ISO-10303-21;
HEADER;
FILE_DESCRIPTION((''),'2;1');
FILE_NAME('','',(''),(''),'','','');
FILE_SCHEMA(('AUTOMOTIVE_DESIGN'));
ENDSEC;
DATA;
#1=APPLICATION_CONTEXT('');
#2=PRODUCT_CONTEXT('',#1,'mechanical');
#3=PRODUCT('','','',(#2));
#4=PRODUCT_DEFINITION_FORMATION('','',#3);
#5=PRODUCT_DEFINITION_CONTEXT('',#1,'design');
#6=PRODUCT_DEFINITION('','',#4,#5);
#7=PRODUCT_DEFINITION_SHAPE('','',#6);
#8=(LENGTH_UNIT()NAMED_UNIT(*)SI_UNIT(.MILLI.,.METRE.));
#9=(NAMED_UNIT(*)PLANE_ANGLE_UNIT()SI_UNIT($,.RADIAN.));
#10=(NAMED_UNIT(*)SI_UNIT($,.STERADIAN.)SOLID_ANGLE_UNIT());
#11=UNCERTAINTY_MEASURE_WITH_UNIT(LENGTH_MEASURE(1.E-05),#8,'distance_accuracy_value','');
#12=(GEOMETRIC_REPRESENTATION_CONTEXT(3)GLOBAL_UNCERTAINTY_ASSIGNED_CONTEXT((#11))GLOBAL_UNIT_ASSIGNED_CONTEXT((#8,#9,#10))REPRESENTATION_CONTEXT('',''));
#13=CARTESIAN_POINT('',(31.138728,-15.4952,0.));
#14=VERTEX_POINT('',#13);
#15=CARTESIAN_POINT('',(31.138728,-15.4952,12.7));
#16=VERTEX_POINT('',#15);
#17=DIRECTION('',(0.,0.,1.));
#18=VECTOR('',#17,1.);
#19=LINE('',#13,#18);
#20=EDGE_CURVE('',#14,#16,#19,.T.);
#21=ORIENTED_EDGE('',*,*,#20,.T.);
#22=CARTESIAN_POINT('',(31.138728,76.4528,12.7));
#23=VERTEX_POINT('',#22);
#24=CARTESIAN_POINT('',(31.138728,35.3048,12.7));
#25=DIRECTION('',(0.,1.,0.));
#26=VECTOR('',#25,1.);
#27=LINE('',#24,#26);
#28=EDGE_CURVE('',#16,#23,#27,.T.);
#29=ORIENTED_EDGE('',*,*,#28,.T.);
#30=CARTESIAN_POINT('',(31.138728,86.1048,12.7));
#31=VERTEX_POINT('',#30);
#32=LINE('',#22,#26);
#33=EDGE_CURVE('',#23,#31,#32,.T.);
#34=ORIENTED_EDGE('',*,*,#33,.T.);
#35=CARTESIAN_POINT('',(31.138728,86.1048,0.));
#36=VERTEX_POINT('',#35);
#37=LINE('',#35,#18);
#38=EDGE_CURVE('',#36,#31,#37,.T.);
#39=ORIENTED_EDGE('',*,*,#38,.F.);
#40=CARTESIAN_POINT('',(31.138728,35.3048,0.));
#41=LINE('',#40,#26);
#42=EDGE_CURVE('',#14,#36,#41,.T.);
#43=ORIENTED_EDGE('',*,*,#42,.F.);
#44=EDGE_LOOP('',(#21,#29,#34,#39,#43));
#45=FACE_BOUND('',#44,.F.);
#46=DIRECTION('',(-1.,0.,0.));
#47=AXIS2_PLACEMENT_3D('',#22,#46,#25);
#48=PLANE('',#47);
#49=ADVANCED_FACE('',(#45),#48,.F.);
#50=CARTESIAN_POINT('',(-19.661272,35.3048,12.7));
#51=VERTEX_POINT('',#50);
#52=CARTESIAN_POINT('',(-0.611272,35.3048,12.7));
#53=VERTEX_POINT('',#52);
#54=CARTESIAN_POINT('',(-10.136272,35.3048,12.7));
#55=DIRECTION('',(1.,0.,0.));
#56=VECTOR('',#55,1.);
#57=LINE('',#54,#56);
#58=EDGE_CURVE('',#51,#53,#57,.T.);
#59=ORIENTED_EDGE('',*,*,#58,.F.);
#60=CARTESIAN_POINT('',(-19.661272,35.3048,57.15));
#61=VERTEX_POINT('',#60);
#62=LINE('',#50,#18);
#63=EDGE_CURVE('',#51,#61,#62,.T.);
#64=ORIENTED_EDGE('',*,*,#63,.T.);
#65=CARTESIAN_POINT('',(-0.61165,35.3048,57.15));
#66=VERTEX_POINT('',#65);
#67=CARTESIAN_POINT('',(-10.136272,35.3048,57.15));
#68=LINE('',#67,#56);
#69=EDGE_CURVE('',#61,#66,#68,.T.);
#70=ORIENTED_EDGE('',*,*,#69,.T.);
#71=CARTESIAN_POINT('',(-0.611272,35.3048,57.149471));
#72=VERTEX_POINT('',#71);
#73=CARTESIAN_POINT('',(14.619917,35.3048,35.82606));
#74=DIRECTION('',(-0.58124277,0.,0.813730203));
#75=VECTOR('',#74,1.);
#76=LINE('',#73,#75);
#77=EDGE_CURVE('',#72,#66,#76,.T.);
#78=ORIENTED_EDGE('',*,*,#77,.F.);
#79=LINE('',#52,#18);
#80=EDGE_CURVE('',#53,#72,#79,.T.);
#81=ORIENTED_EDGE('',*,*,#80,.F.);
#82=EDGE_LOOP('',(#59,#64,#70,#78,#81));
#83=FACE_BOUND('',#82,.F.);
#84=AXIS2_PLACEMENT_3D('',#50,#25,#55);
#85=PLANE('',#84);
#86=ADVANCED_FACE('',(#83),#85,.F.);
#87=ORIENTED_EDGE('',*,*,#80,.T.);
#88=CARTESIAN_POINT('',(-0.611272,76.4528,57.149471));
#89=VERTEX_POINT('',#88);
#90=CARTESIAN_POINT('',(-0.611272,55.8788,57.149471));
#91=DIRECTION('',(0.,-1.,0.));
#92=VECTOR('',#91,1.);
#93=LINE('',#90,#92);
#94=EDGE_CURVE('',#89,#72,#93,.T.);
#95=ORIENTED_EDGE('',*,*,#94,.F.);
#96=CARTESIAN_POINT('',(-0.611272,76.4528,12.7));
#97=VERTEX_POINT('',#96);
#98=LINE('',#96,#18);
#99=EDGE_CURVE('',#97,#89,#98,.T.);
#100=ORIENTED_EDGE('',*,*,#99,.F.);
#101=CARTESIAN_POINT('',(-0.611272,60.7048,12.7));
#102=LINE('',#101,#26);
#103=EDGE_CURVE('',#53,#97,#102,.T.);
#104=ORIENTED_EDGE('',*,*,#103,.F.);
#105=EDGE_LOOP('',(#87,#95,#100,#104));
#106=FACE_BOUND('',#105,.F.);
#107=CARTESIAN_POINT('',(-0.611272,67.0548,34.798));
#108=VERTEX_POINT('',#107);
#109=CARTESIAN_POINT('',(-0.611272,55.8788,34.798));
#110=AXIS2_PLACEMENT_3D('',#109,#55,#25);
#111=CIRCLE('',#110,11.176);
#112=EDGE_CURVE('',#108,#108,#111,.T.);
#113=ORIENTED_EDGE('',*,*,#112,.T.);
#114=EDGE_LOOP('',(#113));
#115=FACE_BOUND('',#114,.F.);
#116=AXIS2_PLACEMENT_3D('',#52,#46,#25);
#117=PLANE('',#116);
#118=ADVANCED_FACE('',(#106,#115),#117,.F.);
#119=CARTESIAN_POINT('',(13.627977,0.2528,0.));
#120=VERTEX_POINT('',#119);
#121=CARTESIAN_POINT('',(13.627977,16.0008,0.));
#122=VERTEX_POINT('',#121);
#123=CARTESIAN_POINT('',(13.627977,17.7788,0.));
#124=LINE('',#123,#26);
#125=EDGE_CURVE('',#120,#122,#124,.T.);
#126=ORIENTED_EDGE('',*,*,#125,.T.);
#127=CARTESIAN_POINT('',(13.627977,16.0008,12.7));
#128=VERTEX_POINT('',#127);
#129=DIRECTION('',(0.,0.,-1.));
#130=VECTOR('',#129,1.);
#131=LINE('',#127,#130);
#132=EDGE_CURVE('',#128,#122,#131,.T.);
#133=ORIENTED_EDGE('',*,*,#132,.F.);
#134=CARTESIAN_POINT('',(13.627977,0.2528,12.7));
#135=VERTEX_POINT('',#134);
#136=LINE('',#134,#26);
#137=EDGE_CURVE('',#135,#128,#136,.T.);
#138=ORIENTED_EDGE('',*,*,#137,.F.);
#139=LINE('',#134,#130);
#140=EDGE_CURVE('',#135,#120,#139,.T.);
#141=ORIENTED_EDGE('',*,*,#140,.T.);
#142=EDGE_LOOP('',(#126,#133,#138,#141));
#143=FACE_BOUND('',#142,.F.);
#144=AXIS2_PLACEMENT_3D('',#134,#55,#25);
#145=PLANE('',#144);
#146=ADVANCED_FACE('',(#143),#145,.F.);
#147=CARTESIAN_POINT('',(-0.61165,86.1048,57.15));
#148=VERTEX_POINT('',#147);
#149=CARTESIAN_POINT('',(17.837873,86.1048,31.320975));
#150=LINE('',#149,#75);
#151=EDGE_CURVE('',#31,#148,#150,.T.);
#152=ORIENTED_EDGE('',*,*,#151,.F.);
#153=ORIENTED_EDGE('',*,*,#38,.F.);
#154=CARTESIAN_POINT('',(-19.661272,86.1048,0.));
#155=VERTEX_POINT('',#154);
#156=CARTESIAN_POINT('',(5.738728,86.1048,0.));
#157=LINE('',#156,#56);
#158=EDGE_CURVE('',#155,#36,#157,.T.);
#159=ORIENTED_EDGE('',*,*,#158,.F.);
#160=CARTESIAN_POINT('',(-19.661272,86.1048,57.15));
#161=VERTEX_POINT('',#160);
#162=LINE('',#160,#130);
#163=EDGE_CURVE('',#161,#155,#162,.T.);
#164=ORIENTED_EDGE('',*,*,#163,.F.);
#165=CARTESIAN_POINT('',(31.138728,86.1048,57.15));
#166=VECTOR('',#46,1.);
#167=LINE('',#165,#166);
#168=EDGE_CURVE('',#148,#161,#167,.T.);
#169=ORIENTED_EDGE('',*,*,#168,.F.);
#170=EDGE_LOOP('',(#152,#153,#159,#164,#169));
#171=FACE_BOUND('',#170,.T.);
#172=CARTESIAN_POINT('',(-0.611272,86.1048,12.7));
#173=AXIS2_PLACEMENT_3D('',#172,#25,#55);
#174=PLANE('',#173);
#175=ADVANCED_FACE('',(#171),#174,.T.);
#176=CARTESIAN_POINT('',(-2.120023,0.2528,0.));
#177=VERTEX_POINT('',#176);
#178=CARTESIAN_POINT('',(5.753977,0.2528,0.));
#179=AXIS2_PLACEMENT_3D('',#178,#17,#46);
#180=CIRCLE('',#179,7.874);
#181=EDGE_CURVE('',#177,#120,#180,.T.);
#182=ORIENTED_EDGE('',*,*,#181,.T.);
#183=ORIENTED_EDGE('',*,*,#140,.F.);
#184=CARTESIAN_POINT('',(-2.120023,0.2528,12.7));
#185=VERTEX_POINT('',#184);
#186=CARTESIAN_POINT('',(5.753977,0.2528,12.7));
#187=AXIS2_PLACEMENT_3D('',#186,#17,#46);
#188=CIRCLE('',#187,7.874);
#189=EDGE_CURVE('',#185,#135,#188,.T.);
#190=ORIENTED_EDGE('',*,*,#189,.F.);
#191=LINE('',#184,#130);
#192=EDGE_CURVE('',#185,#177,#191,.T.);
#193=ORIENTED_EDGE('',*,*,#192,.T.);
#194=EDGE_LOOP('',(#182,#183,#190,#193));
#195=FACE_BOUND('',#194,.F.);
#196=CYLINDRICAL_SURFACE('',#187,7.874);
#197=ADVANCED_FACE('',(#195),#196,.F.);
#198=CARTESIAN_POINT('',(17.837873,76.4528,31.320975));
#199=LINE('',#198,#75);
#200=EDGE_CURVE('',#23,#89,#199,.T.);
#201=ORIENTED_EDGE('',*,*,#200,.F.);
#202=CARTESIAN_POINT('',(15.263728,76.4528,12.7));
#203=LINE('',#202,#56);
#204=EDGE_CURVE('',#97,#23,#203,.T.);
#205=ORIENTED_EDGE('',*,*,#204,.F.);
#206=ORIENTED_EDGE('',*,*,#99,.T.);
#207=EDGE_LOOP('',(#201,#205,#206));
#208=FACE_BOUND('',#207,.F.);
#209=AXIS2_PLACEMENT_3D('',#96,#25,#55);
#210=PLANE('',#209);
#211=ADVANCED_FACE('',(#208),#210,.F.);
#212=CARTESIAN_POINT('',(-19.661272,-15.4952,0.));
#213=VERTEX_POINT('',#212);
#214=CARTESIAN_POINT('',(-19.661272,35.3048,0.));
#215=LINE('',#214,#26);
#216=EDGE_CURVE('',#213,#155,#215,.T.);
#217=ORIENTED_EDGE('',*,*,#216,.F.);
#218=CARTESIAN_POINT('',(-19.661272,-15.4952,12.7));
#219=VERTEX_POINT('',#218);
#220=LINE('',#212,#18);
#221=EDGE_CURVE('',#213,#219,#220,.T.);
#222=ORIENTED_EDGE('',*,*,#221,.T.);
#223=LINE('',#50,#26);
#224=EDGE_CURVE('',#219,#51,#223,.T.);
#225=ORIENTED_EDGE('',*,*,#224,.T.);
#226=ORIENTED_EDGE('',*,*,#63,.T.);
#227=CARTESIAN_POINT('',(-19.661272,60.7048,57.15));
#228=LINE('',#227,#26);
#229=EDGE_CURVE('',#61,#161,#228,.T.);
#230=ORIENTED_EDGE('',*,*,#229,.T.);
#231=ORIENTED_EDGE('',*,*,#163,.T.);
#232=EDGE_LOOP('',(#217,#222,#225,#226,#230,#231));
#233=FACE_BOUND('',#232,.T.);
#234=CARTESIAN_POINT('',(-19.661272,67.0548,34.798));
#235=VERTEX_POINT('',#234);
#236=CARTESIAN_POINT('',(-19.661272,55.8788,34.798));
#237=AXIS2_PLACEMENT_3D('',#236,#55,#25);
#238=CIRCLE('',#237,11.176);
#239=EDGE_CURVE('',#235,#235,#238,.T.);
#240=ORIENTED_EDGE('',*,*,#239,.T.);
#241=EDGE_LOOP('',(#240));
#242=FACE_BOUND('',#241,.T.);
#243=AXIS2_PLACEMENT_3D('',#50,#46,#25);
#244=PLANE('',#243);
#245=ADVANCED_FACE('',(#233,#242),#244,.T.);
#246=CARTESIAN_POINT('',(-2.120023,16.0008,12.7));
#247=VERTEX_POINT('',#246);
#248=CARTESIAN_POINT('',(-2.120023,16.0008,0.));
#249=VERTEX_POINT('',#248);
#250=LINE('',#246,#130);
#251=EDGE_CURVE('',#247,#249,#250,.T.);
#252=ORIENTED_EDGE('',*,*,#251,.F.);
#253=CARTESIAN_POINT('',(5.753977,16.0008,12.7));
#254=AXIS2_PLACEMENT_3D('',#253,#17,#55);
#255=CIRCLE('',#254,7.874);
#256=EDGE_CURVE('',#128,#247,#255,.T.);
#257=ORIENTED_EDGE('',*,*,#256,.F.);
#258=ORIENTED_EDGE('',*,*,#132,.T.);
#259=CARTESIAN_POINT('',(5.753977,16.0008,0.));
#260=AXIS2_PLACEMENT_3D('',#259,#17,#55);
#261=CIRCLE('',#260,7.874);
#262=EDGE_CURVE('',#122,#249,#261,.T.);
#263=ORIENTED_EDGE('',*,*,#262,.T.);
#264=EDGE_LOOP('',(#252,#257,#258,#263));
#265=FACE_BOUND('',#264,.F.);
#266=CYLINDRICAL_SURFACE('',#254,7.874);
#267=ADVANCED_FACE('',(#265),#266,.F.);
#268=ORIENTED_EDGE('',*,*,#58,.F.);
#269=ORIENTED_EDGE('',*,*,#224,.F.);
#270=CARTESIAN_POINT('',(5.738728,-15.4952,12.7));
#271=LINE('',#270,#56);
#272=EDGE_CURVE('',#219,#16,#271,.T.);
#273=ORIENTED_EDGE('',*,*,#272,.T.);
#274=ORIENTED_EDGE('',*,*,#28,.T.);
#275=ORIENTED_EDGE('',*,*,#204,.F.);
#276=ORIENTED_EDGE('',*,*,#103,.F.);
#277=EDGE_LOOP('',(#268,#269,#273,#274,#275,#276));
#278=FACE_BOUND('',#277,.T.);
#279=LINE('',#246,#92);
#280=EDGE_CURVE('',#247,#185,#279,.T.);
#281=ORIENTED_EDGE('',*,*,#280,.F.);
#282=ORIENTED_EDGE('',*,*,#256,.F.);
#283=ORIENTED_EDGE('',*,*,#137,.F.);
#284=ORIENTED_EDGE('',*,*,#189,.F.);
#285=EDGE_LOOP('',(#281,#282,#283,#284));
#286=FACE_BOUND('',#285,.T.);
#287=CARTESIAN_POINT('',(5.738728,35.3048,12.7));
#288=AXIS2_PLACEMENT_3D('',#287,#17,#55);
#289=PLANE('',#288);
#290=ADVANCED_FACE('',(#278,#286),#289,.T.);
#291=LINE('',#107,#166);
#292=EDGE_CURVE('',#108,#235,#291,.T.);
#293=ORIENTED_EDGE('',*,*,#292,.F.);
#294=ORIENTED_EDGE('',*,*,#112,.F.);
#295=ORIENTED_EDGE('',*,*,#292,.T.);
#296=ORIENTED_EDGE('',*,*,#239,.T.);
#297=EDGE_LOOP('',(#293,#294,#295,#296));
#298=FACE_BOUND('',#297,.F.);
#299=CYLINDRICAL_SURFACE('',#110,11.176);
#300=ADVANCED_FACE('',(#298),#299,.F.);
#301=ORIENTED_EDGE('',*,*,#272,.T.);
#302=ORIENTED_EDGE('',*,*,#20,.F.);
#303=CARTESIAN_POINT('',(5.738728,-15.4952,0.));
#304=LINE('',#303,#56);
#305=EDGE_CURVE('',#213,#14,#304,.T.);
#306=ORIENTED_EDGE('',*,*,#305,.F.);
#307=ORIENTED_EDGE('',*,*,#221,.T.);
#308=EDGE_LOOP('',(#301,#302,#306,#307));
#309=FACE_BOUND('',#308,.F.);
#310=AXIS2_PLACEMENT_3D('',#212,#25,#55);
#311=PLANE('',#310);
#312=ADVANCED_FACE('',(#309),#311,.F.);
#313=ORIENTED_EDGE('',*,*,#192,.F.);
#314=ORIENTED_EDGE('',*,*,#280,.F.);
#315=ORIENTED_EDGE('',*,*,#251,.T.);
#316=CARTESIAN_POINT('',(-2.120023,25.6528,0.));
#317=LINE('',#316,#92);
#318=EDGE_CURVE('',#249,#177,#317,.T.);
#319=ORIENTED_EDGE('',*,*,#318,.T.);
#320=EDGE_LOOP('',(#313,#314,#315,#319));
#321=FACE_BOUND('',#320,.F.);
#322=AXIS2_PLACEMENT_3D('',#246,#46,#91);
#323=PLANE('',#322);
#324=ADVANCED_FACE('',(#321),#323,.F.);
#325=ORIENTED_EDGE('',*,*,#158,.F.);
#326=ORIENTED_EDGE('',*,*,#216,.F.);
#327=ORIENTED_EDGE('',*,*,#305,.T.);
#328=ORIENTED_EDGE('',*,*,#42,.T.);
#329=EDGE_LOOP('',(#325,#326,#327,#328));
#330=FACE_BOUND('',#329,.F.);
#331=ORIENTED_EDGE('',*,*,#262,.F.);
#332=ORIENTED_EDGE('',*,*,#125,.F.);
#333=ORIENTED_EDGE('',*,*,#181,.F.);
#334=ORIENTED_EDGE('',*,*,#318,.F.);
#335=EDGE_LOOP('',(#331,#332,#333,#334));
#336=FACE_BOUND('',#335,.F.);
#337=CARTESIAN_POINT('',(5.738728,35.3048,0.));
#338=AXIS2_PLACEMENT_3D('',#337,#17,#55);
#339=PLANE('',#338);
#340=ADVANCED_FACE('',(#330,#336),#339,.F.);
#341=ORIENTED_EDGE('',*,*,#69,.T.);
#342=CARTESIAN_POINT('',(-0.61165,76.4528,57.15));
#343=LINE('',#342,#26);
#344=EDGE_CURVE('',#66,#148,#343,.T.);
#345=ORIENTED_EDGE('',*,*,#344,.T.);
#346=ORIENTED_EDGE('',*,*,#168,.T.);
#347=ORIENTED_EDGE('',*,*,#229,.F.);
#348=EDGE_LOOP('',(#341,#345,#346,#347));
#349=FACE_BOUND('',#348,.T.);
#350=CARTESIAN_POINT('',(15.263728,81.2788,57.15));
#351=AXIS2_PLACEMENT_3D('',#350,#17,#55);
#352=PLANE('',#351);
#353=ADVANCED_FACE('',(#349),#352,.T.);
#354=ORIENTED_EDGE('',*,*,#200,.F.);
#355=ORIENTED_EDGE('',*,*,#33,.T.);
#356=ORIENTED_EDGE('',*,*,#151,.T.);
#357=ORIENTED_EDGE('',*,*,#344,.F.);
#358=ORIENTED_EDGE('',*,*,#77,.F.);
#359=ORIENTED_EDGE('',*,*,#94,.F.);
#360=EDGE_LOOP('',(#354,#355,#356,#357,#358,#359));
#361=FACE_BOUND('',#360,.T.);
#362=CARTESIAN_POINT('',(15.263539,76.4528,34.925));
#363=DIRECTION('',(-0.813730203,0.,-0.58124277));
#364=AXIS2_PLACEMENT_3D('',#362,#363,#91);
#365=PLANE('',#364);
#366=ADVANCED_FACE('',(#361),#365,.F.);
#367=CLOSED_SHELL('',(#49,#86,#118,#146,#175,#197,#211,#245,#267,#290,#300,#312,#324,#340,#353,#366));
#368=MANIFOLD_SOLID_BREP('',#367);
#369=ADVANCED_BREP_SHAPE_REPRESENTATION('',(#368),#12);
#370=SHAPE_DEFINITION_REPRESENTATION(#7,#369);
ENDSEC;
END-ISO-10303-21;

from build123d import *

# Parameters (mm, degrees)
F0_W      = 50.8
F0_H      = 101.6
F1_DEPTH  = 12.7
F2_W      = 19.05
F2_H      = 50.8
F3_DEPTH  = 44.45
F5_DEPTH  = 25.4
F6_W      = 31.75
F6_H      = 9.652
F7_DEPTH  = 44.45
F8_SIZE2  = 31.7503775051
F8_SIZE   = 44.45
F9_R      = 11.176
F10_DEPTH = 25.4


with BuildPart() as f1:
    # F0 (on Top) → F1 (new body)
    with BuildSketch(Plane.XY):
        with Locations((5.7387277484, 35.3047995863)):
            Rectangle(F0_W, F0_H)
    extrude(amount=F1_DEPTH)

    # F2 (on face) → F3 (join)
    with BuildSketch(Plane.XY.offset(12.7)):
        with Locations((-10.1362722516, 60.7047995863)):
            Rectangle(F2_W, F2_H)
    extrude(amount=F3_DEPTH)

    # F4 (on face) → F5 (cut)
    with BuildSketch(Plane.XY.offset(12.7)):
        with BuildLine():
            Line((-2.1200233605, 16.0007995863), (-2.1200233605, 0.2527995863))
            ThreePointArc((-2.1200233605, 0.2527995863), (5.7539766395, -7.6212004137), (13.6279766395, 0.2527995863))
            Line((13.6279766395, 0.2527995863), (13.6279766395, 16.0007995863))
            ThreePointArc((13.6279766395, 16.0007995863), (5.7539766395, 23.8747995863), (-2.1200233605, 16.0007995863))
        make_face()
    extrude(amount=-F5_DEPTH, mode=Mode.SUBTRACT)

    # F6 (on face) → F7 (join)
    with BuildSketch(Plane.XY.offset(12.7)):
        with Locations((15.2637277484, 81.2787995863)):
            Rectangle(F6_W, F6_H)
    extrude(amount=F7_DEPTH)

    # F8
    f8_edges = [f1.edges().sort_by_distance(p)[0] for p in [
        (31.138728, 81.2788, 57.15),
    ]]
    f8_side = f1.faces().sort_by_distance((31.138728, -14.329495, 6.35))[0]
    chamfer(f8_edges, length=F8_SIZE, length2=F8_SIZE2, reference=f8_side)

    # F9 (on face) → F10 (cut)
    with BuildSketch(Plane.YZ.offset(-0.6112722516)):
        with Locations((55.8787995863, 34.798)):
            Circle(F9_R)
    extrude(amount=-F10_DEPTH, mode=Mode.SUBTRACT)


solid = f1.part
